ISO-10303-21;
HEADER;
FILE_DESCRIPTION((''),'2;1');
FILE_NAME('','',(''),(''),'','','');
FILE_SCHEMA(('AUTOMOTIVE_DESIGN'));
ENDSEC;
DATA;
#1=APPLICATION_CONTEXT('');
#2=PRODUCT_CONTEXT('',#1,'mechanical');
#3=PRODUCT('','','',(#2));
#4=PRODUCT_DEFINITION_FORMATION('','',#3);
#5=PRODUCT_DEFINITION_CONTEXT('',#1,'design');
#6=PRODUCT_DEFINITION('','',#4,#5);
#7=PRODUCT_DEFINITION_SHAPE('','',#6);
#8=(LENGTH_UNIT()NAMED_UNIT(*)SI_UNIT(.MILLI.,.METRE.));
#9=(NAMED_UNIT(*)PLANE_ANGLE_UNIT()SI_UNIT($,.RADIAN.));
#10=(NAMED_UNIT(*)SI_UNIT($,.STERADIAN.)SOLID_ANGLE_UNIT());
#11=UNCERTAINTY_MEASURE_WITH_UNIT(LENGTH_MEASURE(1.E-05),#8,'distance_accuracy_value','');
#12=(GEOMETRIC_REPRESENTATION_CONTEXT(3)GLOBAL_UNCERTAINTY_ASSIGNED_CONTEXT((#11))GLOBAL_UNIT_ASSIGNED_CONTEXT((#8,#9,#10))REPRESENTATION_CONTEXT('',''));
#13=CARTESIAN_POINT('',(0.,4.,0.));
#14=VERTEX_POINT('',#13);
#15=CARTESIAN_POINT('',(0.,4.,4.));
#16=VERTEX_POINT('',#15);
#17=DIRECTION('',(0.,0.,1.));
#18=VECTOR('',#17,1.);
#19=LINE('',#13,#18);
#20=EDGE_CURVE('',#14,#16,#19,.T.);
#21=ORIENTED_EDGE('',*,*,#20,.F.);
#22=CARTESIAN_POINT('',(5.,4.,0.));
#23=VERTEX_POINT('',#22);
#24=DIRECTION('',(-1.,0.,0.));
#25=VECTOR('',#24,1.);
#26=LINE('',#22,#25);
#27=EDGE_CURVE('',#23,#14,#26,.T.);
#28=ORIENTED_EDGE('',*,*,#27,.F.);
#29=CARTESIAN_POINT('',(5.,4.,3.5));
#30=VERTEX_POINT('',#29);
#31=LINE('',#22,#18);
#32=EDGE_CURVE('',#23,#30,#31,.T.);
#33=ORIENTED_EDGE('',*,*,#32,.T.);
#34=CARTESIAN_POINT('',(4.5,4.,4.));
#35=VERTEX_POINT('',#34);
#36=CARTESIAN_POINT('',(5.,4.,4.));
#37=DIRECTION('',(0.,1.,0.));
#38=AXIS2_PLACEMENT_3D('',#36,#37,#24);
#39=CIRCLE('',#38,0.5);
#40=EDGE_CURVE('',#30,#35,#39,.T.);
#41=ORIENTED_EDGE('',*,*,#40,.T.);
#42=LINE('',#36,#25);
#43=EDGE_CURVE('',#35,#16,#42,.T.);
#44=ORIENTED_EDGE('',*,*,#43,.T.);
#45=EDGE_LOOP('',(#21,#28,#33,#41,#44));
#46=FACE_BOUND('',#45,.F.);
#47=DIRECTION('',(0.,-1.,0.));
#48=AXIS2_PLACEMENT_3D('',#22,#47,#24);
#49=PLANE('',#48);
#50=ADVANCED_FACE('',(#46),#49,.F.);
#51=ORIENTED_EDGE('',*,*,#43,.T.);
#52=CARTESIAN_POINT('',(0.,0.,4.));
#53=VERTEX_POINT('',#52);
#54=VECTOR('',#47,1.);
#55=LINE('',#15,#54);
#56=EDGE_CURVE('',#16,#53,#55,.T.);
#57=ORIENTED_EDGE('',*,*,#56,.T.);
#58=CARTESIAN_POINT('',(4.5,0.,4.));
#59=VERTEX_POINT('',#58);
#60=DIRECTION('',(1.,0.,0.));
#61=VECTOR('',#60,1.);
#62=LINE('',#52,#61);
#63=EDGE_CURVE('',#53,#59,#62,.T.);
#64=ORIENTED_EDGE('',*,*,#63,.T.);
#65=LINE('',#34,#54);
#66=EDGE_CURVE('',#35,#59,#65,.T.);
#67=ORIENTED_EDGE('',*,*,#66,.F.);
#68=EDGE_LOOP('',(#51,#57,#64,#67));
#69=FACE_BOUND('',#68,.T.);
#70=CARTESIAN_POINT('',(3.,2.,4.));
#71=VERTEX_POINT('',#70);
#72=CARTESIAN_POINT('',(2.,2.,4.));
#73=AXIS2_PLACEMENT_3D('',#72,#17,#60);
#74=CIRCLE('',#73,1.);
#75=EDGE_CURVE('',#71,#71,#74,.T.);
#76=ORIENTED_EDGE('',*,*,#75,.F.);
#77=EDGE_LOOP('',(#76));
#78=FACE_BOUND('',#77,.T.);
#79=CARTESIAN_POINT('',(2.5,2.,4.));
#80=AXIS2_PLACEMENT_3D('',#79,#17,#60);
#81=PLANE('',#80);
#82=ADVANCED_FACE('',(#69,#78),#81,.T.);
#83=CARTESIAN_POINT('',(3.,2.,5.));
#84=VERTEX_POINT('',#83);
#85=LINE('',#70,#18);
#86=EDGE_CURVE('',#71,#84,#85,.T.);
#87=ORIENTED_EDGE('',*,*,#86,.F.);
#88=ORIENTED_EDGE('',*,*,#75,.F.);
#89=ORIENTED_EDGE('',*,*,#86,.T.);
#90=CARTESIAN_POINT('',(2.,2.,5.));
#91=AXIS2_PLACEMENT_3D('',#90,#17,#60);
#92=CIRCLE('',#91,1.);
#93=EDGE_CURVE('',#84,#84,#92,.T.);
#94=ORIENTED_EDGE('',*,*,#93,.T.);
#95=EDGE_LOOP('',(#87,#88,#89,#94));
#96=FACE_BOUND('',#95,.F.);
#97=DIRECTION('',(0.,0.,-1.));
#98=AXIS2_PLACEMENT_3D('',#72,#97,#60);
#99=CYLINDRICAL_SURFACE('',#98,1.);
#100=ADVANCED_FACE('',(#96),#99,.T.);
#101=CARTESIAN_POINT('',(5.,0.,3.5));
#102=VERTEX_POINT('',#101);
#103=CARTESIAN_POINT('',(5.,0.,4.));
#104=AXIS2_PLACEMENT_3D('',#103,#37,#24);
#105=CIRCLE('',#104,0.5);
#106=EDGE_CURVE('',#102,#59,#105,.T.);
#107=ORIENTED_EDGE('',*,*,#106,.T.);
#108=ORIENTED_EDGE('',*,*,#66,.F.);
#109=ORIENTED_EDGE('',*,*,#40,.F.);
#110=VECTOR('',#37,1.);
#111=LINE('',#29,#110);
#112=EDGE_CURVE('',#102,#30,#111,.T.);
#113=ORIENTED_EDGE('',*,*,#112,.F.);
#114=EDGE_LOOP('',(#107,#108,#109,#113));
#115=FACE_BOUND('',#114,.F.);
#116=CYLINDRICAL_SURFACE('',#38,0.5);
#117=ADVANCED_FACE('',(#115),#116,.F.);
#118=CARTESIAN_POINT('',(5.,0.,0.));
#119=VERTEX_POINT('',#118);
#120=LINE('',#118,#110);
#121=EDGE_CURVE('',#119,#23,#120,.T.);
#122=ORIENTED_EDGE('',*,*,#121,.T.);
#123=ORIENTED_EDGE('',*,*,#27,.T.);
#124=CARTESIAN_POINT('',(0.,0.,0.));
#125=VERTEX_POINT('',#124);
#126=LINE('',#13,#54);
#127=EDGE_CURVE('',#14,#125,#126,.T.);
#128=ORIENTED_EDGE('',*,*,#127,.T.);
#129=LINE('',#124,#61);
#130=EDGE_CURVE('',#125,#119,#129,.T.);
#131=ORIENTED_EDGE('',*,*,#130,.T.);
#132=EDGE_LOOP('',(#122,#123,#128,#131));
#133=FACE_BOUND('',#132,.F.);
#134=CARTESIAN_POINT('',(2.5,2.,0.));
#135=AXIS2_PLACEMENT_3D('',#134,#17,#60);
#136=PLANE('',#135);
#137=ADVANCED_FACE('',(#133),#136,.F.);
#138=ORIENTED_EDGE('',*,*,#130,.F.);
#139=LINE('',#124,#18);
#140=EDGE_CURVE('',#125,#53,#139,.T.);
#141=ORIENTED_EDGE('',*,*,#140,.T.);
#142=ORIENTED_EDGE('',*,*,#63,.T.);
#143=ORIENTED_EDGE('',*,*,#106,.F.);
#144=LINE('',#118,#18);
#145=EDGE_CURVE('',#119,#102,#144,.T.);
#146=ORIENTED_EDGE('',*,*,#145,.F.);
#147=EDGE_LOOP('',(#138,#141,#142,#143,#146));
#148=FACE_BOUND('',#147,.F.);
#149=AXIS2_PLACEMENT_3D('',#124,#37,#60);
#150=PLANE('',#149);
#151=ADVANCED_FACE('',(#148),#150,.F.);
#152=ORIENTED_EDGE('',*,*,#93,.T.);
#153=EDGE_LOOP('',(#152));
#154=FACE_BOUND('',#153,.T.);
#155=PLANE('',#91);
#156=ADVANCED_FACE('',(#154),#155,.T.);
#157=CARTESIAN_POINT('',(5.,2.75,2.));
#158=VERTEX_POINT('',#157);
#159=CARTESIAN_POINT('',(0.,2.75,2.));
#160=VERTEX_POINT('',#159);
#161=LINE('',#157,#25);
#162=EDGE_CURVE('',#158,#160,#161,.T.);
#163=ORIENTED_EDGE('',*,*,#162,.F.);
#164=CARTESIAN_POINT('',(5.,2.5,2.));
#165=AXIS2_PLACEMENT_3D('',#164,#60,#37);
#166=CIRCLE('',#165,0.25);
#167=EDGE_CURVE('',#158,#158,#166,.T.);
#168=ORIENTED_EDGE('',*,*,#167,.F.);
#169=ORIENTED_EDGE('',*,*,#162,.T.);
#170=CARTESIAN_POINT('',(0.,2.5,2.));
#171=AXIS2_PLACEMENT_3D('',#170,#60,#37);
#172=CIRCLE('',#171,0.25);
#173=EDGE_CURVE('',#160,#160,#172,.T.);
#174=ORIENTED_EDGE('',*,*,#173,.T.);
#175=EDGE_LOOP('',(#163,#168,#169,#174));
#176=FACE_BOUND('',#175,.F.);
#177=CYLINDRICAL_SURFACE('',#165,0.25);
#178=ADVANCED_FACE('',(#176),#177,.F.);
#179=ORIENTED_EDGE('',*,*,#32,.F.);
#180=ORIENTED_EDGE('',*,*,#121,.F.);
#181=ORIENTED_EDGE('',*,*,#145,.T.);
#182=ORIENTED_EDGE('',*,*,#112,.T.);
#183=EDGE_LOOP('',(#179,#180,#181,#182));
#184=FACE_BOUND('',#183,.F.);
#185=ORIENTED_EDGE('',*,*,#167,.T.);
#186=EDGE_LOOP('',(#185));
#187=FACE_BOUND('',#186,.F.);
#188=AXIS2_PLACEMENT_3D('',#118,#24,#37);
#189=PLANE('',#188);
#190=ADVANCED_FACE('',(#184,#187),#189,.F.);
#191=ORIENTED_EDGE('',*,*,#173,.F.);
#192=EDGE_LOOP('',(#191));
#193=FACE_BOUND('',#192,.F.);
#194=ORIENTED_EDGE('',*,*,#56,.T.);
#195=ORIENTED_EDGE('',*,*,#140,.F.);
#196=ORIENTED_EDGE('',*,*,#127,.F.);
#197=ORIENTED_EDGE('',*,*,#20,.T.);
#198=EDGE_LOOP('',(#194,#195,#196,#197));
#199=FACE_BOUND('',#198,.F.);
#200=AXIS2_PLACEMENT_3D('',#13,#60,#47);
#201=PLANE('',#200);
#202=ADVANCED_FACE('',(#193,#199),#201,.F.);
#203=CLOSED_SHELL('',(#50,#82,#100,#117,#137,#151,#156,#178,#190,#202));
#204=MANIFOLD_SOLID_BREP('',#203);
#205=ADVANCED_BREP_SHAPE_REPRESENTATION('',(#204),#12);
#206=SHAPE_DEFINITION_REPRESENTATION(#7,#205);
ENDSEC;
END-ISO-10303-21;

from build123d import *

# Parameters (mm, degrees)
F1_DEPTH = 4
F3_DEPTH = 1
F4_R     = 0.5
F5_DEPTH = 4
F6_R     = 0.25
F7_DEPTH = 25


with BuildPart() as f1:
    # F0 (on Top) → F1 (new body)
    with BuildSketch(Plane.XY):
        Polygon((0, 2), (0, 0), (5, 0), (5, 4), (2, 4), (0, 4), align=None)
    extrude(amount=F1_DEPTH)

    # F2 (on face) → F3 (join)
    with BuildSketch(Plane.XY.offset(4)):
        with BuildLine():
            ThreePointArc((1, 2), (2, 1), (3, 2))
            ThreePointArc((3, 2), (2, 3), (1, 2))
        make_face()
    extrude(amount=F3_DEPTH)

    # F4 (on face) → F5 (cut)
    with BuildSketch(Plane(origin=(0, 4, 0), x_dir=(-1, 0, 0), z_dir=(0, 1, 0))):
        with Locations((-5, 4)):
            Circle(F4_R)
    extrude(amount=-F5_DEPTH, mode=Mode.SUBTRACT)

    # F6 (on face) → F7 (cut)
    with BuildSketch(Plane.YZ.offset(5)):
        with Locations((2.5, 2)):
            Circle(F6_R)
    extrude(amount=-F7_DEPTH, mode=Mode.SUBTRACT)


solid = f1.part
